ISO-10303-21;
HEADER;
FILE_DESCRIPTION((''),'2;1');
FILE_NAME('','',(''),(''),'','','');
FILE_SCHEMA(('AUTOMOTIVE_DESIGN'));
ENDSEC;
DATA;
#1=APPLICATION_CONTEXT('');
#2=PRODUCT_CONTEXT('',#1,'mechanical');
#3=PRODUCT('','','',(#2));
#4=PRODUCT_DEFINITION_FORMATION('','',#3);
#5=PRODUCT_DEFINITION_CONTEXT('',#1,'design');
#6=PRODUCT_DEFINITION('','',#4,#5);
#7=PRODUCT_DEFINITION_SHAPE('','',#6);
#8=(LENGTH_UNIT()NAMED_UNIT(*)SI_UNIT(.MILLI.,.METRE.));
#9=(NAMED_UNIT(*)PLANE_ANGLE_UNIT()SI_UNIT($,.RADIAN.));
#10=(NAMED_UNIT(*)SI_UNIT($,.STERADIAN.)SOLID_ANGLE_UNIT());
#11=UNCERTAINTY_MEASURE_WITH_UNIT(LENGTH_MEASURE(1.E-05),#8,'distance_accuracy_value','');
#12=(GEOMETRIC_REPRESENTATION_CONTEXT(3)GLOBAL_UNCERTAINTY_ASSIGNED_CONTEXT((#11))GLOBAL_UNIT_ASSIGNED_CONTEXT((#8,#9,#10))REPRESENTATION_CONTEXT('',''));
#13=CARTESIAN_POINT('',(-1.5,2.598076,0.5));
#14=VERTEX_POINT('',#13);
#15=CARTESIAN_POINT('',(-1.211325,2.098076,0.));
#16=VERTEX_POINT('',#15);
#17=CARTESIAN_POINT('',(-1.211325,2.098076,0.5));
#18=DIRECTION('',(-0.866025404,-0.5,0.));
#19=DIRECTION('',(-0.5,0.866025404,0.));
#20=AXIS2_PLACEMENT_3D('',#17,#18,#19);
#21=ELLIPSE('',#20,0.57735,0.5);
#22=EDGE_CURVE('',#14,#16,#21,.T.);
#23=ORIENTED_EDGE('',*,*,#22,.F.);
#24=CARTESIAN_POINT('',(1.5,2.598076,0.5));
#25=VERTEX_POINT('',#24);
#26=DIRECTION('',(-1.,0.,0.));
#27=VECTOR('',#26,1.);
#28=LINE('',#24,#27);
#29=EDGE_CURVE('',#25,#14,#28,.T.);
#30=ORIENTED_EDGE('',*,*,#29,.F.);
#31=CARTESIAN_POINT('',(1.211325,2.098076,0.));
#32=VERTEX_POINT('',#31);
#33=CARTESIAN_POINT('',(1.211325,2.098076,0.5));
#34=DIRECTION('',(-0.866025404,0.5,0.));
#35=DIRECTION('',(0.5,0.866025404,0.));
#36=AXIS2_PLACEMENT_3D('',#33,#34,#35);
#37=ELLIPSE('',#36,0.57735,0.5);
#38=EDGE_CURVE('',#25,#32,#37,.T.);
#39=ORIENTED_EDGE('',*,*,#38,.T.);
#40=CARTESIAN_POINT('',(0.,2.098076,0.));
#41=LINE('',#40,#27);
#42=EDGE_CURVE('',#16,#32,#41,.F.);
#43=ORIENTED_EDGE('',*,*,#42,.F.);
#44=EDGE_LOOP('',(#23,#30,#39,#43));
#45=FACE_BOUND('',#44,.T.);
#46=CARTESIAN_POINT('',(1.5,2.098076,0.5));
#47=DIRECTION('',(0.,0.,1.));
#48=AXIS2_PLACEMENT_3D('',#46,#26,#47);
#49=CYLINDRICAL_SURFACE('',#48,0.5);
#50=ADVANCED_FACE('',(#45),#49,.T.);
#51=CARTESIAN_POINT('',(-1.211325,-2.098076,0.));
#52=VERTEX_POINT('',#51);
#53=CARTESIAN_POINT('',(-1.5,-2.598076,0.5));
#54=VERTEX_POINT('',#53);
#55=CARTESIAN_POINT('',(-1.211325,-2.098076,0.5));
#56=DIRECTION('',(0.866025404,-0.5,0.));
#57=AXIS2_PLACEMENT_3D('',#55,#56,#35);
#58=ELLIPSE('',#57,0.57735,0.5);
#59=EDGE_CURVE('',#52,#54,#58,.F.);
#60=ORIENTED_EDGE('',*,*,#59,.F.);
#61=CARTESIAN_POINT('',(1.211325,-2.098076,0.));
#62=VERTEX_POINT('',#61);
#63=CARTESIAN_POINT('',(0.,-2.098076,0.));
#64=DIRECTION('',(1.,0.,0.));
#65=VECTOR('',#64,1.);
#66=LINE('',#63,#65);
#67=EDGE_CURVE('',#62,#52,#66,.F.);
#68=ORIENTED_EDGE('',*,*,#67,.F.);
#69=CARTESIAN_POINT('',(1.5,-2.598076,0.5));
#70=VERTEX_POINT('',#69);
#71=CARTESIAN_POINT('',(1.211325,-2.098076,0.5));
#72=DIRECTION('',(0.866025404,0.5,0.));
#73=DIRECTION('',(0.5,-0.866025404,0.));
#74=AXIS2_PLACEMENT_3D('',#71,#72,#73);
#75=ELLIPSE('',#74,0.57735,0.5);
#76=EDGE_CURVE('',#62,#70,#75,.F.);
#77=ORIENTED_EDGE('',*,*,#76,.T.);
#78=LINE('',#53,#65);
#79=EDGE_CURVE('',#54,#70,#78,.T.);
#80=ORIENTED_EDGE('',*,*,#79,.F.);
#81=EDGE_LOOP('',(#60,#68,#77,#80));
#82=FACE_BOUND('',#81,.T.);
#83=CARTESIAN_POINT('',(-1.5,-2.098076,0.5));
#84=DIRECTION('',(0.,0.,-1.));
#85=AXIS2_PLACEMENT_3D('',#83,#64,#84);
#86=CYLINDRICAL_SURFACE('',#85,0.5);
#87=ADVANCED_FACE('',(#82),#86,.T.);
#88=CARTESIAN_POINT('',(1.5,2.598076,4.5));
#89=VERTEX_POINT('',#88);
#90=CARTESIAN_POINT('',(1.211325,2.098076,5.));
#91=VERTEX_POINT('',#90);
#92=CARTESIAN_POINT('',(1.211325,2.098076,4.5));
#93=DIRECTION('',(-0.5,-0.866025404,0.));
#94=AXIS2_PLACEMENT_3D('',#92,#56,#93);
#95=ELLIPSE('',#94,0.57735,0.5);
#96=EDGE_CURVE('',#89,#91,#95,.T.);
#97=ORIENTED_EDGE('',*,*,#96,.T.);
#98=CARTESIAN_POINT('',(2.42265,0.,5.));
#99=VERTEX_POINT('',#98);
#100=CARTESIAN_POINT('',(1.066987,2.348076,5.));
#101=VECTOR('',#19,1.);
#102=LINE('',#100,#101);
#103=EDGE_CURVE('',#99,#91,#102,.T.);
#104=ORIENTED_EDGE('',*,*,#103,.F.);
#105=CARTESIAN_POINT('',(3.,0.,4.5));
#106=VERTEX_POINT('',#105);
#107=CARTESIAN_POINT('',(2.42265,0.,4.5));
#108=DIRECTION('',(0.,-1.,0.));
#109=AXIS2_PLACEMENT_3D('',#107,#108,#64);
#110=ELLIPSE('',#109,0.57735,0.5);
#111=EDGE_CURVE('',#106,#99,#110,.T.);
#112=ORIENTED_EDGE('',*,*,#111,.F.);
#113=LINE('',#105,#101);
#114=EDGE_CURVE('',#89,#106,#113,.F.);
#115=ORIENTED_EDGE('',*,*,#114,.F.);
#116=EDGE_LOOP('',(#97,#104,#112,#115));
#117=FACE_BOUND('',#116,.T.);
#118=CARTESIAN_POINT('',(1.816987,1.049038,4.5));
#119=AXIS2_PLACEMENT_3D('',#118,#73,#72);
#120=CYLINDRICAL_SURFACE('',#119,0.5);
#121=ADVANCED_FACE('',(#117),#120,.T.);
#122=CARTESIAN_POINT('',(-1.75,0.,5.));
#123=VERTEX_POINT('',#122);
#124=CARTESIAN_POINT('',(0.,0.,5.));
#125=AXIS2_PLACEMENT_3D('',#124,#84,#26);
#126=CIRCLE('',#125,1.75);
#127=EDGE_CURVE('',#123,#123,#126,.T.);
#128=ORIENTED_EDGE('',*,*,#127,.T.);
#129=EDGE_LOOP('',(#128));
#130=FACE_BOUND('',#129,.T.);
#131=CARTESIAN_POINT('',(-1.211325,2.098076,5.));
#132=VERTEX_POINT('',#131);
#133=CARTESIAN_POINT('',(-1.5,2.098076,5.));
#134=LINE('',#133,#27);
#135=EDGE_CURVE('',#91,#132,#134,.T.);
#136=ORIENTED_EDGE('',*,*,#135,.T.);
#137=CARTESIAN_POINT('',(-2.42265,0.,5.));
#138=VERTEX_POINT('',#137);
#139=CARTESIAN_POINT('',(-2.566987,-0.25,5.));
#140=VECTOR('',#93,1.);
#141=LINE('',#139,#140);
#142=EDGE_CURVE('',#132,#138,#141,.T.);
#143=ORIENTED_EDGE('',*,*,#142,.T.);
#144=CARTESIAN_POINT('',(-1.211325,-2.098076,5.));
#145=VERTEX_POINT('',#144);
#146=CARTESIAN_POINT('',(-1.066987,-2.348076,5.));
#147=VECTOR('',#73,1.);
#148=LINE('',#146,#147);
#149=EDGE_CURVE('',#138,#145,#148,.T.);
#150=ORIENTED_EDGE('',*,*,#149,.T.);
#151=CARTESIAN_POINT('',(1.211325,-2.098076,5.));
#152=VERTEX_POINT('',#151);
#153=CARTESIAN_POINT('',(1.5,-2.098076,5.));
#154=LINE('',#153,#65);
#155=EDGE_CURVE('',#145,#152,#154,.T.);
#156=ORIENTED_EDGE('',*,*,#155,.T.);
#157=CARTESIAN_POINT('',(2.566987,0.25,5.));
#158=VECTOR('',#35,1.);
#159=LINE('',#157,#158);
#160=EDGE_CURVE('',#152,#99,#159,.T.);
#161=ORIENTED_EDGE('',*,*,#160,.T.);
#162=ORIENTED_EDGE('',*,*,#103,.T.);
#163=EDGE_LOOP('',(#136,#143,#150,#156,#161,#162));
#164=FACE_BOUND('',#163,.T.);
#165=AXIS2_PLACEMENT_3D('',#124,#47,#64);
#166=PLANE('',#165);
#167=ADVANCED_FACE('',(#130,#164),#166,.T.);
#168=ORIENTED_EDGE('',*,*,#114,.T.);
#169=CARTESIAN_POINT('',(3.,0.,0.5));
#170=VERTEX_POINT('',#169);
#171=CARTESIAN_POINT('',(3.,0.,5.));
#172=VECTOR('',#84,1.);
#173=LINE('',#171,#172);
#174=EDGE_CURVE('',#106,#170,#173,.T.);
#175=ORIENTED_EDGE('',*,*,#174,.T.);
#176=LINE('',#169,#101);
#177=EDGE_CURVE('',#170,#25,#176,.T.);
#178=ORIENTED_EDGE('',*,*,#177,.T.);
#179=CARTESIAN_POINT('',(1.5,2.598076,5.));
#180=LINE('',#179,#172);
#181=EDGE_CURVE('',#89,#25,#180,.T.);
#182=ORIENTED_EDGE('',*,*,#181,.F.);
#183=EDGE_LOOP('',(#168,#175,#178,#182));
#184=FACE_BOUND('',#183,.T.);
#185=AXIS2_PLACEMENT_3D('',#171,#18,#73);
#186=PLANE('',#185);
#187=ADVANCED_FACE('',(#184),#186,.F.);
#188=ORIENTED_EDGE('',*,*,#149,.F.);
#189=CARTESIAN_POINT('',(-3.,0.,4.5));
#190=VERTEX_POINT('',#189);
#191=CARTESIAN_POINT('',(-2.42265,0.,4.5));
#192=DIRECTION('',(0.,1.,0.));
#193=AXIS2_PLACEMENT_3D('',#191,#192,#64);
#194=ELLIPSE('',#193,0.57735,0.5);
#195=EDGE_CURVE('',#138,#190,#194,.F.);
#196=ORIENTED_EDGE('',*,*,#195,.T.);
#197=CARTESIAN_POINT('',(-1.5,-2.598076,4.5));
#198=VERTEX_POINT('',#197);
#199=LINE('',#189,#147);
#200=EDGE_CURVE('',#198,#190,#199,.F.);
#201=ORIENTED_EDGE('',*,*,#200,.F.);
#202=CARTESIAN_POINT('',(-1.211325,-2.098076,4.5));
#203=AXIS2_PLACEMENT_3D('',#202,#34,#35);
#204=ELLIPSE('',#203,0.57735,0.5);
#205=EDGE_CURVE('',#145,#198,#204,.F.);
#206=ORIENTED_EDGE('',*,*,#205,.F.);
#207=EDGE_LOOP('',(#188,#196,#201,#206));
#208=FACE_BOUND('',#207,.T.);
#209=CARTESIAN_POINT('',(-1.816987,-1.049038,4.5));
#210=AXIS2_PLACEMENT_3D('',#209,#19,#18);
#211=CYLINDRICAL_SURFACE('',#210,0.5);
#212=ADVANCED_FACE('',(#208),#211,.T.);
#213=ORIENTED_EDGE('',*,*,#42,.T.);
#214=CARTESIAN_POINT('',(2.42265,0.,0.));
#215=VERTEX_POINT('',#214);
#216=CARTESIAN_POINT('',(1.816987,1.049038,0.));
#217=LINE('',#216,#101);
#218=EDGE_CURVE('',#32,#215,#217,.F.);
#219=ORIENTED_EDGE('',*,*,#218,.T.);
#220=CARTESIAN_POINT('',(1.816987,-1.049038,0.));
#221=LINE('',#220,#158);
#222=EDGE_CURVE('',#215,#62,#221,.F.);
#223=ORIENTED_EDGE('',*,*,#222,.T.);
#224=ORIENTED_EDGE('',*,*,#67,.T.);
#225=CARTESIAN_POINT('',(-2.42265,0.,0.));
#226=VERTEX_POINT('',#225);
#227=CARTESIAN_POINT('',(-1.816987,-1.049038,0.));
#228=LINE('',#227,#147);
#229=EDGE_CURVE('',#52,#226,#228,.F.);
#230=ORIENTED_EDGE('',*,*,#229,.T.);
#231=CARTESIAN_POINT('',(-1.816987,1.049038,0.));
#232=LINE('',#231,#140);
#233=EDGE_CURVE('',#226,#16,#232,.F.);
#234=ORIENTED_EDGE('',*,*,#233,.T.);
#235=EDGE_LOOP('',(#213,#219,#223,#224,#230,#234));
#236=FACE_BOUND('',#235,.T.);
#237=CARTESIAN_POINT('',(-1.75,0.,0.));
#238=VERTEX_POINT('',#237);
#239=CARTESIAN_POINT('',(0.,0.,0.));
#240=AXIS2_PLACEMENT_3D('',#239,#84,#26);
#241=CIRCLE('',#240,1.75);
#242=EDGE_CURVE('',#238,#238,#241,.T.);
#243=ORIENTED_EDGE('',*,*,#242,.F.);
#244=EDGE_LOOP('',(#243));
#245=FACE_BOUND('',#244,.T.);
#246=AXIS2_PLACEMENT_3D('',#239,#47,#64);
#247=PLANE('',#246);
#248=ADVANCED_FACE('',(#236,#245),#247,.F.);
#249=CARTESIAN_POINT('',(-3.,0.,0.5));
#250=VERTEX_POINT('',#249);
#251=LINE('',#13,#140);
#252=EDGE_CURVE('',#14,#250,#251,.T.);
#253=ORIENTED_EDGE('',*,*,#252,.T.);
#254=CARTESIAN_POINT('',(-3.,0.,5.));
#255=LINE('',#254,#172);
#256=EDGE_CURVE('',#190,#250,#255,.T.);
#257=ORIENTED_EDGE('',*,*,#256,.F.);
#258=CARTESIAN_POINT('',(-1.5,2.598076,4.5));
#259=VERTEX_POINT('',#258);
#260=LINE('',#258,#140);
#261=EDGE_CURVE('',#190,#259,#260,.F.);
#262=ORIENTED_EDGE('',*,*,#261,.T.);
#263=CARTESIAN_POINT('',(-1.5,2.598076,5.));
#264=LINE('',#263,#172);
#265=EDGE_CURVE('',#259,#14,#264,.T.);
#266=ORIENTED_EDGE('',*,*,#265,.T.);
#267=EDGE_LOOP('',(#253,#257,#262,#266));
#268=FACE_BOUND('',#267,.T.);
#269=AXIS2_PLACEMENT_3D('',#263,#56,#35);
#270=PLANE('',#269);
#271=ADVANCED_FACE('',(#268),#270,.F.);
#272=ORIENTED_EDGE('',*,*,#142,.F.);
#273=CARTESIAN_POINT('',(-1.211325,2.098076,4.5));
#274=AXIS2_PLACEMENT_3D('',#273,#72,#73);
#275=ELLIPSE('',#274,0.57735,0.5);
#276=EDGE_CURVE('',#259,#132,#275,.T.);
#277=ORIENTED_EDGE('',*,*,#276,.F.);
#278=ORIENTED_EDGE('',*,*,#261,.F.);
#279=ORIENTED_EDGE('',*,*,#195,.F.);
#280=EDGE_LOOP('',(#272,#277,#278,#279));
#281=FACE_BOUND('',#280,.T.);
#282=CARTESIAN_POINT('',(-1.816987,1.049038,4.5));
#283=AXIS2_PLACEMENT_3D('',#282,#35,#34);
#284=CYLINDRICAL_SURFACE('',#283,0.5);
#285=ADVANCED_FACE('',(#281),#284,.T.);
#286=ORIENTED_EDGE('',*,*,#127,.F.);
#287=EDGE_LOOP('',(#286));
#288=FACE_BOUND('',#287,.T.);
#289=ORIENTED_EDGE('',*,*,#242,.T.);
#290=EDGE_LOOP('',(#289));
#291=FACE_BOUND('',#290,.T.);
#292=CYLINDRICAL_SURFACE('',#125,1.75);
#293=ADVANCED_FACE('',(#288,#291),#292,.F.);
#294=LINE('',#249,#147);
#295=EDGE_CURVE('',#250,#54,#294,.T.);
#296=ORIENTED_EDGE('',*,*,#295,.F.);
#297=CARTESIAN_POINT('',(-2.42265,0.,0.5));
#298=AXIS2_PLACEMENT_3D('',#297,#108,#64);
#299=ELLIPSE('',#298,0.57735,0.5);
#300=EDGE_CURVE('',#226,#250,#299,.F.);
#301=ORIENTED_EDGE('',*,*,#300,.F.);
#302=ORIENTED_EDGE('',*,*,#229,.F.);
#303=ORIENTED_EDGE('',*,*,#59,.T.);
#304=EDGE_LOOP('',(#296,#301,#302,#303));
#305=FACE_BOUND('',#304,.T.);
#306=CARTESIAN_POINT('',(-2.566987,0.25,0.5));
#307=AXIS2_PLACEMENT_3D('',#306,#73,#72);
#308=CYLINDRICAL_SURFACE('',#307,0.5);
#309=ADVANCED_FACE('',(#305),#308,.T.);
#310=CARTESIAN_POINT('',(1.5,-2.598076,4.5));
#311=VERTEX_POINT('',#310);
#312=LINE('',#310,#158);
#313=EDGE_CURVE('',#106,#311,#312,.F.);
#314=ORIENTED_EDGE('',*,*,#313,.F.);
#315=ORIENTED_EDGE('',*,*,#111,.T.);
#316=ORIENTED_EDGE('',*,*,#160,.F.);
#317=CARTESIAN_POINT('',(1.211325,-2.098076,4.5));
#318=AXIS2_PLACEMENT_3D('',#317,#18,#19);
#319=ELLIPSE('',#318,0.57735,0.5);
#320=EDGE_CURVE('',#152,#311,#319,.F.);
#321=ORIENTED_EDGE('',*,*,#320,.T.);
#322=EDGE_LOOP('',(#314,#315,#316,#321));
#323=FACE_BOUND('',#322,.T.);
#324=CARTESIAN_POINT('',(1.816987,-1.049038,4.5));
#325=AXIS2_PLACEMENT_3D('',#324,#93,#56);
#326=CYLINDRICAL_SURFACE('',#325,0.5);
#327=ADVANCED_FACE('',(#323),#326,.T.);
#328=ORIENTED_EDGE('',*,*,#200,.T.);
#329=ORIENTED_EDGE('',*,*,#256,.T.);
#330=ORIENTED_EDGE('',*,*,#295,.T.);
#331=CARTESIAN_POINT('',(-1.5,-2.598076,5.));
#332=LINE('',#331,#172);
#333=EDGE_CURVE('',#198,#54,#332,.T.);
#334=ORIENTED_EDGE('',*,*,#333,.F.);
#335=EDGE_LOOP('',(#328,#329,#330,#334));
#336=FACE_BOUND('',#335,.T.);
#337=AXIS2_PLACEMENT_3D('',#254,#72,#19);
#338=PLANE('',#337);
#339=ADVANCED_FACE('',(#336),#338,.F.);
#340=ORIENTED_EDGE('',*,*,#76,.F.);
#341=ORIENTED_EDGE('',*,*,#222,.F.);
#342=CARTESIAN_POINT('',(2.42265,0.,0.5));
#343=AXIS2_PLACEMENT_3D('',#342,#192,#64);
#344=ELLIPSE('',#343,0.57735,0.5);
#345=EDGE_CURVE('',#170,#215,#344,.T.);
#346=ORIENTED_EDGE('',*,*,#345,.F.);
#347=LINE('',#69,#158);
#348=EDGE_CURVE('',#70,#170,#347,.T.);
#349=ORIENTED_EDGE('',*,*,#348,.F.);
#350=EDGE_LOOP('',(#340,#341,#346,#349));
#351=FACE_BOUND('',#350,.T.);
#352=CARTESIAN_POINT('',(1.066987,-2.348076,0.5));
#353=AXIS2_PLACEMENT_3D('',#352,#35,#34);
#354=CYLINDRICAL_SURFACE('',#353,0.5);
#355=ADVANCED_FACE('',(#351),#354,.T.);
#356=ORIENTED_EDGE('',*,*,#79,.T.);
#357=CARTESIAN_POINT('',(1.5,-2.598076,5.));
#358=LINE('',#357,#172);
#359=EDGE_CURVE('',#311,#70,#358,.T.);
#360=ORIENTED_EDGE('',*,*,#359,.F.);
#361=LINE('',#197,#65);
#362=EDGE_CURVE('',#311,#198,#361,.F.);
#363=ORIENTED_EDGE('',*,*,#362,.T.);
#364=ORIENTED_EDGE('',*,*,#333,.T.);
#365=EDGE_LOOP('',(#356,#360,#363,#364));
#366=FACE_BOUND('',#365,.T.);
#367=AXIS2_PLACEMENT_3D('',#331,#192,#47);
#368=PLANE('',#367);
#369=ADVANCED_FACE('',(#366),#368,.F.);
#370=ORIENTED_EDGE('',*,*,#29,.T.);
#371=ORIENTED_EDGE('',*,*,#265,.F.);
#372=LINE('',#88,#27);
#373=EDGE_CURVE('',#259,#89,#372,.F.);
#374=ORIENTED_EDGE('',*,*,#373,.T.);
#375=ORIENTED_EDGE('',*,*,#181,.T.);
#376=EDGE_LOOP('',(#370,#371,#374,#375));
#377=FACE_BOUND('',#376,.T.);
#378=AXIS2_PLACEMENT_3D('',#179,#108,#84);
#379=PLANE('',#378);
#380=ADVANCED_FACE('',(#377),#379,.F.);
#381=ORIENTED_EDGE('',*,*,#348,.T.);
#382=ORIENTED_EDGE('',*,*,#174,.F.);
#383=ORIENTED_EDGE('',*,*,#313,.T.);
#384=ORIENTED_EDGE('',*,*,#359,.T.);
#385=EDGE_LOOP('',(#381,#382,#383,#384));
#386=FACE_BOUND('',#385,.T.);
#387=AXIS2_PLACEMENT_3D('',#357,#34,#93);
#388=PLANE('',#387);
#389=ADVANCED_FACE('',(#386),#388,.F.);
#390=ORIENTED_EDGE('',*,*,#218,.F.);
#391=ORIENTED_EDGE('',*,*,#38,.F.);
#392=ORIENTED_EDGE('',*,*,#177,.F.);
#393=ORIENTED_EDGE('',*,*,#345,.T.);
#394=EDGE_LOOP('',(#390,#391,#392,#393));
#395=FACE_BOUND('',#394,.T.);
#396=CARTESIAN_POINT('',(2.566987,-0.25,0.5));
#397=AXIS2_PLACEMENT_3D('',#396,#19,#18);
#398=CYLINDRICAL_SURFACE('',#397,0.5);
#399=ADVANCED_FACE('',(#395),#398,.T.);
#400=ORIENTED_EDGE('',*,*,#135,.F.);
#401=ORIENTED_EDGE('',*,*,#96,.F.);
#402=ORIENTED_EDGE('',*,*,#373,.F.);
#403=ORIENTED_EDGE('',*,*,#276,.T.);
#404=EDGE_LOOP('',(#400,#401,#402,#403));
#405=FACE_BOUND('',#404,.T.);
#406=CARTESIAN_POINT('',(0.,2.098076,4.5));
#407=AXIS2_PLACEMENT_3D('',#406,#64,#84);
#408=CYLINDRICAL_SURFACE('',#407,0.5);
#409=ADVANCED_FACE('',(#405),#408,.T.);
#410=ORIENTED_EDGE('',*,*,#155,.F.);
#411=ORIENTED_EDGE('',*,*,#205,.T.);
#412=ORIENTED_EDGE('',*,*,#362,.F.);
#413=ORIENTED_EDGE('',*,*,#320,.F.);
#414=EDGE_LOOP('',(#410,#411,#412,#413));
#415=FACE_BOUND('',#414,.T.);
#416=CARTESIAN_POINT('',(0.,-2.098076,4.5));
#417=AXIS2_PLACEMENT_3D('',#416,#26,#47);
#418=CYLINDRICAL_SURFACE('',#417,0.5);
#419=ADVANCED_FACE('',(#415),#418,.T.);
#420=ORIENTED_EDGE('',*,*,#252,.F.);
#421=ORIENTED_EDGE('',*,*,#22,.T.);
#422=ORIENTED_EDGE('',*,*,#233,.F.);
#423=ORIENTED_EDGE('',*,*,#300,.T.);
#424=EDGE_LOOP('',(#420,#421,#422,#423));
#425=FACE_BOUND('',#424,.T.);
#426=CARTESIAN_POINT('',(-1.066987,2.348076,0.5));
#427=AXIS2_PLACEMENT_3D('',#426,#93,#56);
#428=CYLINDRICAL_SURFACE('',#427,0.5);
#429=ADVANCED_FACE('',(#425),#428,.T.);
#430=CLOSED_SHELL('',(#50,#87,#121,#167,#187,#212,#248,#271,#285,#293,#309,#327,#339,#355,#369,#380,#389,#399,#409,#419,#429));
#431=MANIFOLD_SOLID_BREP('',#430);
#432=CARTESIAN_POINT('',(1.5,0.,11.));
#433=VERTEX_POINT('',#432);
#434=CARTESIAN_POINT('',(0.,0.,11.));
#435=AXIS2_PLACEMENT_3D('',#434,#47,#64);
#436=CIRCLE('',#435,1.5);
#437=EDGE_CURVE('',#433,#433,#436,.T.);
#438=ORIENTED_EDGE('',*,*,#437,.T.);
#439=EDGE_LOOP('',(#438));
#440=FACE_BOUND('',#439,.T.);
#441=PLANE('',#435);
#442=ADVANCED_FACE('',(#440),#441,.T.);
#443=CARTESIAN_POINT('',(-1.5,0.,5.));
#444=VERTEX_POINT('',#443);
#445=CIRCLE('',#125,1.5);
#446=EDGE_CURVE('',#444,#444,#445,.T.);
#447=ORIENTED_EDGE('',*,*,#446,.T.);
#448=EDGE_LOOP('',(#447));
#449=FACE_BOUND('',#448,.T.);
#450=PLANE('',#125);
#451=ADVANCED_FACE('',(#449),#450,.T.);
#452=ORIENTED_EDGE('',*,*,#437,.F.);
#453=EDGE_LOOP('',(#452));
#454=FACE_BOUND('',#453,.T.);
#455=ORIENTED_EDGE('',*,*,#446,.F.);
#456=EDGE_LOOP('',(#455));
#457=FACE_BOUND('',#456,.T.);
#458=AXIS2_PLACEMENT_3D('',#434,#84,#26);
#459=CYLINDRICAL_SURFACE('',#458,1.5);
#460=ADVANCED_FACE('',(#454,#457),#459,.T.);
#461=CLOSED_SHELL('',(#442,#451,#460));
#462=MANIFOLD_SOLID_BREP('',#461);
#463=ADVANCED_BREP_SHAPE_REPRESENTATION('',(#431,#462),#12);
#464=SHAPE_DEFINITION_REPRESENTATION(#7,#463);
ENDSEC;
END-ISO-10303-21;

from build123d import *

# Parameters (mm, degrees)
EXTRUDE_2_DEPTH     = 5
SKETCH_2_R          = 1.5
EXTRUDE_3_DEPTH     = 6
SKETCH_3_R          = 1.75
CUT_EXTRUDE_1_DEPTH = 5
FILLET_1_R          = 0.5


with BuildPart() as part:
    # ｽｹｯﾁ1 → ﾎﾞｽ - 押し出し2 (new body)
    with BuildSketch(Plane.XY):
        Polygon((3, 0), (1.5, 2.598076211), (-1.5, 2.598076211), (-3, 0), (-1.5, -2.598076211), (1.5, -2.598076211), align=None)
    extrude(amount=EXTRUDE_2_DEPTH)

    # ｽｹｯﾁ2 → ﾎﾞｽ - 押し出し3 (add)
    with BuildSketch(Plane.XY.offset(5)):
        Circle(SKETCH_2_R)
    extrude(amount=EXTRUDE_3_DEPTH)

    # ｽｹｯﾁ3 → ｶｯﾄ - 押し出し1 (cut)
    with BuildSketch(Plane(origin=(0, 0, 0), x_dir=(-1, 0, 0), z_dir=(0, 0, -1))):
        Circle(SKETCH_3_R)
    extrude(amount=-CUT_EXTRUDE_1_DEPTH, mode=Mode.SUBTRACT)


with BuildPart() as cut_extrude_1_piece_1:
    # of the separate pieces the step leaves, piece 1, a body of its own (cut_extrude_1_pieces)
    add(part.part.solids().sort_by_distance((3, 0, 0))[0])

    # ﾌｨﾚｯﾄ1
    fillet_1_edges = [cut_extrude_1_piece_1.edges().sort_by_distance(p)[0] for p in [
        (2.25, -1.299038106, 5),
        (2.25, 1.299038106, 5),
        (0, 2.598076211, 5),
        (-2.25, 1.299038106, 5),
        (-2.25, -1.299038106, 5),
        (0, -2.598076211, 5),
        (2.25, -1.299038106, 0),
        (2.25, 1.299038106, 0),
        (0, 2.598076211, 0),
        (-2.25, 1.299038106, 0),
        (-2.25, -1.299038106, 0),
        (0, -2.598076211, 0),
    ]]
    fillet(fillet_1_edges, radius=FILLET_1_R)


with BuildPart() as cut_extrude_1_piece_2:
    # of the separate pieces the step leaves, piece 2, a body of its own (cut_extrude_1_pieces)
    add(part.part.solids().sort_by_distance((1.5, 0, 5))[0])


solid = Compound([cut_extrude_1_piece_1.part, cut_extrude_1_piece_2.part])
